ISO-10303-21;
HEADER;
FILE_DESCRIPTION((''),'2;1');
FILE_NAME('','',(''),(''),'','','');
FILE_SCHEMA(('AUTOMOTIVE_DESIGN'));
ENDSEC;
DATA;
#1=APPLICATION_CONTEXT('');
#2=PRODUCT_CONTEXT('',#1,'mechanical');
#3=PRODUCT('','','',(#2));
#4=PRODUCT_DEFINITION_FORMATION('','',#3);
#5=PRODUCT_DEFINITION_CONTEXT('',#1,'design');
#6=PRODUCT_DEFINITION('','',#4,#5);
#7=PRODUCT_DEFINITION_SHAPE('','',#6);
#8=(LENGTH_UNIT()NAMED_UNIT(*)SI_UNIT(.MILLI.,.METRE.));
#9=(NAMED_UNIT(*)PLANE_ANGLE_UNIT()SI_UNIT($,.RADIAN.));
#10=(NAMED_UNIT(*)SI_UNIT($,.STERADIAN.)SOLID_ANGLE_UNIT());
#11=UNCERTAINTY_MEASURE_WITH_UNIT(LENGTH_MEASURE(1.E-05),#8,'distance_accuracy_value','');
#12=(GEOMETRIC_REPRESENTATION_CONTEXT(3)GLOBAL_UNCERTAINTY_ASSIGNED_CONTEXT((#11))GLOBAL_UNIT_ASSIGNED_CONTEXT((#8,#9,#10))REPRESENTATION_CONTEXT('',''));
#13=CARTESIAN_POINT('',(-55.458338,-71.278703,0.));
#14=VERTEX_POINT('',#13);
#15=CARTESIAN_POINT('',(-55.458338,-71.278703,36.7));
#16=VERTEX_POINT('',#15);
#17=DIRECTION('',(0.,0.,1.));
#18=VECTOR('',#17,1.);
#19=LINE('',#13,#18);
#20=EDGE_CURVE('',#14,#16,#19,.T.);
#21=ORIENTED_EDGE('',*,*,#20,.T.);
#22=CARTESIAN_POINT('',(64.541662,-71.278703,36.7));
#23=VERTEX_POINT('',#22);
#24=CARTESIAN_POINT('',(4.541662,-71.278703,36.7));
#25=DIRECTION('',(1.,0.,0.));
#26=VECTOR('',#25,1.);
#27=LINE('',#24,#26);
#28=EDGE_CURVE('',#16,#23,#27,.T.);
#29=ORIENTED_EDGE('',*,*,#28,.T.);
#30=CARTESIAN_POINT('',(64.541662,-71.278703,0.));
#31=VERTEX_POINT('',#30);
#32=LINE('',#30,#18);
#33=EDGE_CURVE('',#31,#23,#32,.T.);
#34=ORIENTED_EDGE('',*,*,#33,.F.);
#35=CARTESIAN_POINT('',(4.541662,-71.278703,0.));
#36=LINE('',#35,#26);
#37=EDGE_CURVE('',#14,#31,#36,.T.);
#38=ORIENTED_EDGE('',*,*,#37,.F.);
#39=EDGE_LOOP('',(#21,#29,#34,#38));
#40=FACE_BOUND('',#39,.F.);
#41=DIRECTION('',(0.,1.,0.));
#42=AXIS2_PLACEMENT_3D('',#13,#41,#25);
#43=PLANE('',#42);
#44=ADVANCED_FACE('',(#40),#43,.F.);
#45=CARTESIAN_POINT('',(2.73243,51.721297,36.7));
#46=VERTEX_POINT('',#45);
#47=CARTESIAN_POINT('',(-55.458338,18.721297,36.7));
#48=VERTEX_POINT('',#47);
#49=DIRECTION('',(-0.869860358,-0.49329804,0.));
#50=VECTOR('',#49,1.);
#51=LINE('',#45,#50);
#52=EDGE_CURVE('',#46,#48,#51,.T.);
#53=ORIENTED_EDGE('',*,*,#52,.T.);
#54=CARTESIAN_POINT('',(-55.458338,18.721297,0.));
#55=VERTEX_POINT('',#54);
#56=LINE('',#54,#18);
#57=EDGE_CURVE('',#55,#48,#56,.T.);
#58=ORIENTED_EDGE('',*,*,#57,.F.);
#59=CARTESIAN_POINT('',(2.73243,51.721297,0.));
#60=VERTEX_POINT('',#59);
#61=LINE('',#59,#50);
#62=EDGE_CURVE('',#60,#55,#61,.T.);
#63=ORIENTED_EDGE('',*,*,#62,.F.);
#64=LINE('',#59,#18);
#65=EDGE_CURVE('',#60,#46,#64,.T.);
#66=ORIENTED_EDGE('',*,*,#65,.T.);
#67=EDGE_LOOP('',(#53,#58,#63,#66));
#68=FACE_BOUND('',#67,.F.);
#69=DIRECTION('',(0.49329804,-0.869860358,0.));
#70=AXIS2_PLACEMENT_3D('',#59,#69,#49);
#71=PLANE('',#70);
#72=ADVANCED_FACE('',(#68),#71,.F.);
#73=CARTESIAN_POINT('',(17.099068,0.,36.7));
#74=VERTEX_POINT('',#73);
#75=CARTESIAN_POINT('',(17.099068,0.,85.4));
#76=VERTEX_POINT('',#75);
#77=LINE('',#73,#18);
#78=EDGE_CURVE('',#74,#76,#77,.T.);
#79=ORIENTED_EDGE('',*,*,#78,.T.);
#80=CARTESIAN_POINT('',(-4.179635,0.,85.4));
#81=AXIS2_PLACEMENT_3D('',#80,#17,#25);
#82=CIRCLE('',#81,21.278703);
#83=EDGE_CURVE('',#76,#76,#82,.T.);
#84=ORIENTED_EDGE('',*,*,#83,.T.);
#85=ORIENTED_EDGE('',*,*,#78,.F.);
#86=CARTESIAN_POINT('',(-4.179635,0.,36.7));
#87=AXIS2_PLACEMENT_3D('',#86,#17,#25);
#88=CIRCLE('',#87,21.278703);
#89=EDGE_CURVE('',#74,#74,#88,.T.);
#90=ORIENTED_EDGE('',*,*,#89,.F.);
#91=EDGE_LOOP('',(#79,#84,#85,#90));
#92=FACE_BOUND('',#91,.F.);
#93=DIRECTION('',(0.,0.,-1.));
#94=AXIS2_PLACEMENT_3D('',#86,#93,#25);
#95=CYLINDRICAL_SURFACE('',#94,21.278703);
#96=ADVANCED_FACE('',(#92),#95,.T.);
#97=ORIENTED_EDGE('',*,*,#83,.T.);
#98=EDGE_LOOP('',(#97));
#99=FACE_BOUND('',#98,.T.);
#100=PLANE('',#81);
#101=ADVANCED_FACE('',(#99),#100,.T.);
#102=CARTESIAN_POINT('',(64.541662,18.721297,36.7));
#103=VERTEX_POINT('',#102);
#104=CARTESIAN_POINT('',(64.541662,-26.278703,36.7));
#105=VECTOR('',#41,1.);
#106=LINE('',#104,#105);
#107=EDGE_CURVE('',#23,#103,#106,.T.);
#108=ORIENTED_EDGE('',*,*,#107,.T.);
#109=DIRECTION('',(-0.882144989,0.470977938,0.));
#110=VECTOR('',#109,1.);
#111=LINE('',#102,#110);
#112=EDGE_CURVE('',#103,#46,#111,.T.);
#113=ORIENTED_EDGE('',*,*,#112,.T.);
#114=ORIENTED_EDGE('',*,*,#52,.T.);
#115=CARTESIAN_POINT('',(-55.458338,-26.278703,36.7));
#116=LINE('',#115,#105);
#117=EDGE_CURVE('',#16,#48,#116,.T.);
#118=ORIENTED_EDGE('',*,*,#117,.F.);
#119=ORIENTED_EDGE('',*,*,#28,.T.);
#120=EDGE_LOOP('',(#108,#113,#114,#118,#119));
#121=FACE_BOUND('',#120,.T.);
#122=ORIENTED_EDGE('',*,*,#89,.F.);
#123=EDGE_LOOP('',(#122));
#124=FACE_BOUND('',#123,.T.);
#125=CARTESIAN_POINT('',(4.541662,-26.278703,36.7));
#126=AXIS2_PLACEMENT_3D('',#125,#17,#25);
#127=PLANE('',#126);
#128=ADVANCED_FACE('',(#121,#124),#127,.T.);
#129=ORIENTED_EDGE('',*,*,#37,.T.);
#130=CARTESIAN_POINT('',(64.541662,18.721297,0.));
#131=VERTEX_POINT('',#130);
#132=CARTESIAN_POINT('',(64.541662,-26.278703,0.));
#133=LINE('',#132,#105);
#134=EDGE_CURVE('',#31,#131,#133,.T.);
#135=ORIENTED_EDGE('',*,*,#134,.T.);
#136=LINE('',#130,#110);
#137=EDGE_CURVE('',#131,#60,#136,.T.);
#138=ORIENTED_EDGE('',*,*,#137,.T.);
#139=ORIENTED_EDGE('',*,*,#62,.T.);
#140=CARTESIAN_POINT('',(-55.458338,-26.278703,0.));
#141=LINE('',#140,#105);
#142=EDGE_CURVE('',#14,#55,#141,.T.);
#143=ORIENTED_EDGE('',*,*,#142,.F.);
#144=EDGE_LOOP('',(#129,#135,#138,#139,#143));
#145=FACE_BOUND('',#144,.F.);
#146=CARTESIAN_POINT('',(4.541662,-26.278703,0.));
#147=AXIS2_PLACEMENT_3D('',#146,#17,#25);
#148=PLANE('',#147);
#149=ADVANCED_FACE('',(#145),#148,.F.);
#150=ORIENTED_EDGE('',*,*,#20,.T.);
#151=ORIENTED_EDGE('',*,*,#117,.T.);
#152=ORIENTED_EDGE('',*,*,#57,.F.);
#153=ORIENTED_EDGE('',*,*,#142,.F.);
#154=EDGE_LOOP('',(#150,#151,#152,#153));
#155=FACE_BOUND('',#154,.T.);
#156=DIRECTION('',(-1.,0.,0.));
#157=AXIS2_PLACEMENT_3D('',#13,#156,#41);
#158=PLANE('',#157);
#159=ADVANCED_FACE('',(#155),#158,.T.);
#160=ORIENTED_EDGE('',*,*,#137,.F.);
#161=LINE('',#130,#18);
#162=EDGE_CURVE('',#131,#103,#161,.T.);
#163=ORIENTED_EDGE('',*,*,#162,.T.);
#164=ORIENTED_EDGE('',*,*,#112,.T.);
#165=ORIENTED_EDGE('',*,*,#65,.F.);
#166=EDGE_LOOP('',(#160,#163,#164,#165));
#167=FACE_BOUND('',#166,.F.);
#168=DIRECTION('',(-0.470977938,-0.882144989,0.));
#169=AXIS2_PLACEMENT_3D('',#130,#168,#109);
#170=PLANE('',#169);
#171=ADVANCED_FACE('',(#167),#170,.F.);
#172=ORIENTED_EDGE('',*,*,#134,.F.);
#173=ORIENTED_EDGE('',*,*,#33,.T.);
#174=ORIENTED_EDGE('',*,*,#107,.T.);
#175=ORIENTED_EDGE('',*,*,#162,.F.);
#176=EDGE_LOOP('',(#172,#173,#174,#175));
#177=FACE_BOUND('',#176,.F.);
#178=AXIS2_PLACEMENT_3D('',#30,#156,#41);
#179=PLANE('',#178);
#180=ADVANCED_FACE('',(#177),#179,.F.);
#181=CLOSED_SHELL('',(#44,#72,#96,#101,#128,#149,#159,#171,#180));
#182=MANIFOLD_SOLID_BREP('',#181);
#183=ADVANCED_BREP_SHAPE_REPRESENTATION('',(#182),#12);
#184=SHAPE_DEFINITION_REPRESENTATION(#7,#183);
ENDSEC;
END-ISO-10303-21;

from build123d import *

# Parameters (mm, degrees)
F0_W     = 120
F0_H     = 90
F1_DEPTH = 36.7
F2_R     = 21.278703
F3_DEPTH = 48.7


with BuildPart() as f1:
    # F0 (on Top) → F1 (new body)
    with BuildSketch(Plane.XY):
        with Locations((4.541662, -26.278703)):
            Rectangle(F0_W, F0_H)
        Polygon((2.73243, 51.721297), (-55.458338, 18.721297), (64.541662, 18.721297), align=None)
    extrude(amount=F1_DEPTH)

    # F2 (on face) → F3 (join)
    with BuildSketch(Plane.XY.offset(36.7)):
        with Locations((-4.179635, 0)):
            Circle(F2_R)
    extrude(amount=F3_DEPTH)


solid = f1.part
